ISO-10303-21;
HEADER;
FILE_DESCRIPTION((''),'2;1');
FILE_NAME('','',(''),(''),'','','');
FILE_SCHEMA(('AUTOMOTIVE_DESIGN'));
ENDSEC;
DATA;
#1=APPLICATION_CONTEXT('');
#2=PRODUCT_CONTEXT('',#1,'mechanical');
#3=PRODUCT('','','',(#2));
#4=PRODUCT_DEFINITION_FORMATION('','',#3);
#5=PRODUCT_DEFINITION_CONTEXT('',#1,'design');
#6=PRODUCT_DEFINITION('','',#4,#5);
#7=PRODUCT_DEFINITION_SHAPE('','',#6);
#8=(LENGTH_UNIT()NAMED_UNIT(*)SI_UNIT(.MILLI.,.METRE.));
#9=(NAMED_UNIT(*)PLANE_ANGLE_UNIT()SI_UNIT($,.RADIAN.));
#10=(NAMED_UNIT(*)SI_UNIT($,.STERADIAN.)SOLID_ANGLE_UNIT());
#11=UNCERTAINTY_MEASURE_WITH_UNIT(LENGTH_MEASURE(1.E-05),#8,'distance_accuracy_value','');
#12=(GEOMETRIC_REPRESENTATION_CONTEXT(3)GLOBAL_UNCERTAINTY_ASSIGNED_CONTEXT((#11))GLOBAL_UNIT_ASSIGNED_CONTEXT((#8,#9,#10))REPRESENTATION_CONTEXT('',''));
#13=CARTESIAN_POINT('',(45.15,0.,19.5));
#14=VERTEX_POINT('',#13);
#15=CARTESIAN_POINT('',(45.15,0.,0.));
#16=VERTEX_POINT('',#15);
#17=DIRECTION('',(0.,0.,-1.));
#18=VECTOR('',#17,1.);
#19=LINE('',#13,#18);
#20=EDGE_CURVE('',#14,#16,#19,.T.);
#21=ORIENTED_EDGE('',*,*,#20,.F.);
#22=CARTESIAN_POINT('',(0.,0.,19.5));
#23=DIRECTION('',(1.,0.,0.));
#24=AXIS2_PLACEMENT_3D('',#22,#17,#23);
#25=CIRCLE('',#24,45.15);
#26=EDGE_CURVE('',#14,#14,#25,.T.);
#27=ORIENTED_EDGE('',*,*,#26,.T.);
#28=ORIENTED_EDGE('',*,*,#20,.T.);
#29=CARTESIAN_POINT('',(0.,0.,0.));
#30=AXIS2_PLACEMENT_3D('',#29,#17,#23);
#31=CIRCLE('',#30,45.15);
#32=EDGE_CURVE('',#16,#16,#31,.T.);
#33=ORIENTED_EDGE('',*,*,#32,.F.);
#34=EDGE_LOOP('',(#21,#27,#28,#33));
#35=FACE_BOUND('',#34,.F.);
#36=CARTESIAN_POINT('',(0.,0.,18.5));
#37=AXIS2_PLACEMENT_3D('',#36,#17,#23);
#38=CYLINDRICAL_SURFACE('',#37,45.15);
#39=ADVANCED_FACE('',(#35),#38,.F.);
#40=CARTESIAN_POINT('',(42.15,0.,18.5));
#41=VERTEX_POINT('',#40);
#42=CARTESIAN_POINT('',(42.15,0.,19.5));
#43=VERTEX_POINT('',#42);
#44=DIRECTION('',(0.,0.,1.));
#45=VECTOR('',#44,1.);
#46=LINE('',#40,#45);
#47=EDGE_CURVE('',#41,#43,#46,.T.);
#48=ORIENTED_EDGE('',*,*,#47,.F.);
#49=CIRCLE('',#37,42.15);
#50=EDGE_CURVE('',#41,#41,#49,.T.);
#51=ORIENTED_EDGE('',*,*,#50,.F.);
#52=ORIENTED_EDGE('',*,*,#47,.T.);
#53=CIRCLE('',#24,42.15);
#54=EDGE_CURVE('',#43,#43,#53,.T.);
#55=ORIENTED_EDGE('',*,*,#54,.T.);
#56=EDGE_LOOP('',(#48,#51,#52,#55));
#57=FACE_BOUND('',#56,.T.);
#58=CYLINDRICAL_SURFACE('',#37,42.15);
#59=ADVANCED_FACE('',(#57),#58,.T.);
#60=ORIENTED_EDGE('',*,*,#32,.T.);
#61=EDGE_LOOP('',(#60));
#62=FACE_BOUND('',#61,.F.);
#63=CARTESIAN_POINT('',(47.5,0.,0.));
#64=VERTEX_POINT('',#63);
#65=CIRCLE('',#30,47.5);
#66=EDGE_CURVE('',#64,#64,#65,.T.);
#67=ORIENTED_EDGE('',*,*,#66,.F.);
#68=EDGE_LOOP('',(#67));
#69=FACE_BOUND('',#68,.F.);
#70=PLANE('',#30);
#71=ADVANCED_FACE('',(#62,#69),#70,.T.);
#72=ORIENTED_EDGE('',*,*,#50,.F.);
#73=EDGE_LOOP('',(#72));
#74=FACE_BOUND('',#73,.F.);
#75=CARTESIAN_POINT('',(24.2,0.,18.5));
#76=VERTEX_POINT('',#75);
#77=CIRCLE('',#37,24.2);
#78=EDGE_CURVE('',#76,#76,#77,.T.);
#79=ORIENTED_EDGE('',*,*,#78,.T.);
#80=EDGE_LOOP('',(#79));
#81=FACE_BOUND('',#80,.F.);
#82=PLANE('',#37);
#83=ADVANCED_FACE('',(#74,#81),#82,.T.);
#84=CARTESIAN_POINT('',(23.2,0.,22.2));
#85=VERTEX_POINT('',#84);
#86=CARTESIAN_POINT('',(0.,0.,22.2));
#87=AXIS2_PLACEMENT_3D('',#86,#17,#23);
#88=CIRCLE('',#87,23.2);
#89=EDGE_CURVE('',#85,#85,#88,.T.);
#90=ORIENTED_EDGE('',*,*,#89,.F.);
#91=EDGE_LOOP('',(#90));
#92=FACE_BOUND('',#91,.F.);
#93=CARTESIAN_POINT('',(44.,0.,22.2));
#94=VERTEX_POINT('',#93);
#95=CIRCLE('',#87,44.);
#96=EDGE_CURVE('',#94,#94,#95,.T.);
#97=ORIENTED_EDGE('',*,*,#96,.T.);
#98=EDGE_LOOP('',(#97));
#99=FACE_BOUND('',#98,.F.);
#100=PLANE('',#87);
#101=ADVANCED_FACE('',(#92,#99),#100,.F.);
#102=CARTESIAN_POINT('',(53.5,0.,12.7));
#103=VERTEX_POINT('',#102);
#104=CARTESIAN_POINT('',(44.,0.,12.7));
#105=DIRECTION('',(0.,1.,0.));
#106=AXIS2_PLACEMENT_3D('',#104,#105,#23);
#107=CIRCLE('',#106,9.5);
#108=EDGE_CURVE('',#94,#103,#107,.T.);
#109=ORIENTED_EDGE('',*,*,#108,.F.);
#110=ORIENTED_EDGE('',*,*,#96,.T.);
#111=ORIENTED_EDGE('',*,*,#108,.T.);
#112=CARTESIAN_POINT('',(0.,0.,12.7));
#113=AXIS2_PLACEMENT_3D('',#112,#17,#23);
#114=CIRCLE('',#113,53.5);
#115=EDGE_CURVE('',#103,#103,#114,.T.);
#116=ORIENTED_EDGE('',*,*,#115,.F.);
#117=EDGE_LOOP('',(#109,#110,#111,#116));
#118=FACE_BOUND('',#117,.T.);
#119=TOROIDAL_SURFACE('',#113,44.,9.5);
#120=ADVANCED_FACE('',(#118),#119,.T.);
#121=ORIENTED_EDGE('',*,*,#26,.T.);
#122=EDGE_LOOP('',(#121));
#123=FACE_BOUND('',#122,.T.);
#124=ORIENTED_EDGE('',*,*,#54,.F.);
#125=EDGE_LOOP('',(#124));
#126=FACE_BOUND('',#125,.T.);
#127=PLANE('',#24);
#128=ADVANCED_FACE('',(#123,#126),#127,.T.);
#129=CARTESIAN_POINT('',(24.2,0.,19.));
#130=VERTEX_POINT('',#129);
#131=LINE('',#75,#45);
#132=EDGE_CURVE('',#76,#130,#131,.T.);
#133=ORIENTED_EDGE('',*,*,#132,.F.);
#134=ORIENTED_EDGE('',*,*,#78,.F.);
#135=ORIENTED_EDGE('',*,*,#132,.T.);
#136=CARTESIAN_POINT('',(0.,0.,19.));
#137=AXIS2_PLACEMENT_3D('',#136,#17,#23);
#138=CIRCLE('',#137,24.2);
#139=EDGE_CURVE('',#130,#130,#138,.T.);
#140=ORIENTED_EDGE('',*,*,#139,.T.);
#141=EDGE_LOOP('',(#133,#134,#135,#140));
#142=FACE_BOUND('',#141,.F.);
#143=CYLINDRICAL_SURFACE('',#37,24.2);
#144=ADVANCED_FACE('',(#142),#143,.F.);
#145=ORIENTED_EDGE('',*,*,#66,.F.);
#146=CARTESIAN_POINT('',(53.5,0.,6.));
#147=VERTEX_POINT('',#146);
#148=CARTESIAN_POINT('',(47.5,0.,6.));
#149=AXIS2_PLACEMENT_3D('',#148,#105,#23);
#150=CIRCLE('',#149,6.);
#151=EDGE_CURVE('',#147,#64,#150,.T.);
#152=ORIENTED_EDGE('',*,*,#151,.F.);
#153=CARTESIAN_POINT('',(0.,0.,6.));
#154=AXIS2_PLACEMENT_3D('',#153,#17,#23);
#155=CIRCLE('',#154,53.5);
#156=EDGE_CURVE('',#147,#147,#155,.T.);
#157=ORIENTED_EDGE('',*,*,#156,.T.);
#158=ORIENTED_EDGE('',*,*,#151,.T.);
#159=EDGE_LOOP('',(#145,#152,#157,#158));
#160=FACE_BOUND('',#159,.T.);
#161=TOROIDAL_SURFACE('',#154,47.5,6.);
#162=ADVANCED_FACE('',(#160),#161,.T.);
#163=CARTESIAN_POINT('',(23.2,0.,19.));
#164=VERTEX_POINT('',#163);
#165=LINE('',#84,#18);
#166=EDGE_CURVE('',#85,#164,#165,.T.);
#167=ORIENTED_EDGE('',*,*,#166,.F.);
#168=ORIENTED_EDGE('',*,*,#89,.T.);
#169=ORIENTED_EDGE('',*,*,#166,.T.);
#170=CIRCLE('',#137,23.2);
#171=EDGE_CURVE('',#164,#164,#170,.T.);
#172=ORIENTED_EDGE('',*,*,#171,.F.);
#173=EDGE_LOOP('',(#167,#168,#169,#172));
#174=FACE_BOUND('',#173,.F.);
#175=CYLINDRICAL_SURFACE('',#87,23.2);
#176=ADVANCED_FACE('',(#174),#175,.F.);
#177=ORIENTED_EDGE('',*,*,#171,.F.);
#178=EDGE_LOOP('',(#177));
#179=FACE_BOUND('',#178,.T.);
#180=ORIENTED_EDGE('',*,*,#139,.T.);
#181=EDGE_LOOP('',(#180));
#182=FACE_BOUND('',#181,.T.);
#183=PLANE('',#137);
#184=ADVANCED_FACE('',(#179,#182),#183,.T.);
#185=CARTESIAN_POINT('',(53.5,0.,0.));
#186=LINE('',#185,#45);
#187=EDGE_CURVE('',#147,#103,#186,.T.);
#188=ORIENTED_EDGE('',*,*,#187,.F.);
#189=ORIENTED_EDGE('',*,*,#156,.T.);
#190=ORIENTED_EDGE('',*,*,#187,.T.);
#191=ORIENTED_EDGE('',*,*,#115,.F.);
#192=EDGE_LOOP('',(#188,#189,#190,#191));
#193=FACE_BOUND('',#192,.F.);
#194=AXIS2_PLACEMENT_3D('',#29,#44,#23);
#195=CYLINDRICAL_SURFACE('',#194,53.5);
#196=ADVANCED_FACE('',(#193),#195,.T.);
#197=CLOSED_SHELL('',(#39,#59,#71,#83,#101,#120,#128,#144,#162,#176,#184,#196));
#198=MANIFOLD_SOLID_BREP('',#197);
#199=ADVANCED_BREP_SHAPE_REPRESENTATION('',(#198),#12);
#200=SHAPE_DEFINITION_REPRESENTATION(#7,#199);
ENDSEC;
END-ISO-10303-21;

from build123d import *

# Parameters (mm, degrees)
F2_R     = 9.5
F3_R     = 6
F4_R     = 45.15
F4_R_2   = 42.15
F5_DEPTH = 1
F4_R_3   = 24.2
F4_R_4   = 23.2
F6_DEPTH = 0.5


with BuildPart() as f1:
    # F0 (on Front) → F1 (revolve)
    with BuildSketch(Plane.XZ):
        Polygon((53.5, 22.2), (23.2, 22.2), (23.2, 18.5), (45.15, 18.5), (45.15, 0), (53.5, 0), align=None)
    revolve(axis=Axis((0, 0, 3.413312), (0, 0, -1)))

    # F2
    f2_edges = [f1.edges().sort_by_distance(p)[0] for p in [
        (-53.5, 0, 22.2),
    ]]
    fillet(f2_edges, radius=F2_R)

    # F3
    f3_edges = [f1.edges().sort_by_distance(p)[0] for p in [
        (-53.5, 0, 0),
    ]]
    fillet(f3_edges, radius=F3_R)

    # F4 (on face) → F5 (cut)
    with BuildSketch(Plane(origin=(0, 0, 18.5), x_dir=(1, 0, 0), z_dir=(0, 0, -1))):
        Circle(F4_R)
        Circle(F4_R_2, mode=Mode.SUBTRACT)
    extrude(amount=-F5_DEPTH, mode=Mode.SUBTRACT)

    # F4 (on face) → F6 (cut)
    with BuildSketch(Plane(origin=(0, 0, 18.5), x_dir=(1, 0, 0), z_dir=(0, 0, -1))):
        Circle(F4_R_3)
        Circle(F4_R_4, mode=Mode.SUBTRACT)
    extrude(amount=-F6_DEPTH, mode=Mode.SUBTRACT)


solid = f1.part
